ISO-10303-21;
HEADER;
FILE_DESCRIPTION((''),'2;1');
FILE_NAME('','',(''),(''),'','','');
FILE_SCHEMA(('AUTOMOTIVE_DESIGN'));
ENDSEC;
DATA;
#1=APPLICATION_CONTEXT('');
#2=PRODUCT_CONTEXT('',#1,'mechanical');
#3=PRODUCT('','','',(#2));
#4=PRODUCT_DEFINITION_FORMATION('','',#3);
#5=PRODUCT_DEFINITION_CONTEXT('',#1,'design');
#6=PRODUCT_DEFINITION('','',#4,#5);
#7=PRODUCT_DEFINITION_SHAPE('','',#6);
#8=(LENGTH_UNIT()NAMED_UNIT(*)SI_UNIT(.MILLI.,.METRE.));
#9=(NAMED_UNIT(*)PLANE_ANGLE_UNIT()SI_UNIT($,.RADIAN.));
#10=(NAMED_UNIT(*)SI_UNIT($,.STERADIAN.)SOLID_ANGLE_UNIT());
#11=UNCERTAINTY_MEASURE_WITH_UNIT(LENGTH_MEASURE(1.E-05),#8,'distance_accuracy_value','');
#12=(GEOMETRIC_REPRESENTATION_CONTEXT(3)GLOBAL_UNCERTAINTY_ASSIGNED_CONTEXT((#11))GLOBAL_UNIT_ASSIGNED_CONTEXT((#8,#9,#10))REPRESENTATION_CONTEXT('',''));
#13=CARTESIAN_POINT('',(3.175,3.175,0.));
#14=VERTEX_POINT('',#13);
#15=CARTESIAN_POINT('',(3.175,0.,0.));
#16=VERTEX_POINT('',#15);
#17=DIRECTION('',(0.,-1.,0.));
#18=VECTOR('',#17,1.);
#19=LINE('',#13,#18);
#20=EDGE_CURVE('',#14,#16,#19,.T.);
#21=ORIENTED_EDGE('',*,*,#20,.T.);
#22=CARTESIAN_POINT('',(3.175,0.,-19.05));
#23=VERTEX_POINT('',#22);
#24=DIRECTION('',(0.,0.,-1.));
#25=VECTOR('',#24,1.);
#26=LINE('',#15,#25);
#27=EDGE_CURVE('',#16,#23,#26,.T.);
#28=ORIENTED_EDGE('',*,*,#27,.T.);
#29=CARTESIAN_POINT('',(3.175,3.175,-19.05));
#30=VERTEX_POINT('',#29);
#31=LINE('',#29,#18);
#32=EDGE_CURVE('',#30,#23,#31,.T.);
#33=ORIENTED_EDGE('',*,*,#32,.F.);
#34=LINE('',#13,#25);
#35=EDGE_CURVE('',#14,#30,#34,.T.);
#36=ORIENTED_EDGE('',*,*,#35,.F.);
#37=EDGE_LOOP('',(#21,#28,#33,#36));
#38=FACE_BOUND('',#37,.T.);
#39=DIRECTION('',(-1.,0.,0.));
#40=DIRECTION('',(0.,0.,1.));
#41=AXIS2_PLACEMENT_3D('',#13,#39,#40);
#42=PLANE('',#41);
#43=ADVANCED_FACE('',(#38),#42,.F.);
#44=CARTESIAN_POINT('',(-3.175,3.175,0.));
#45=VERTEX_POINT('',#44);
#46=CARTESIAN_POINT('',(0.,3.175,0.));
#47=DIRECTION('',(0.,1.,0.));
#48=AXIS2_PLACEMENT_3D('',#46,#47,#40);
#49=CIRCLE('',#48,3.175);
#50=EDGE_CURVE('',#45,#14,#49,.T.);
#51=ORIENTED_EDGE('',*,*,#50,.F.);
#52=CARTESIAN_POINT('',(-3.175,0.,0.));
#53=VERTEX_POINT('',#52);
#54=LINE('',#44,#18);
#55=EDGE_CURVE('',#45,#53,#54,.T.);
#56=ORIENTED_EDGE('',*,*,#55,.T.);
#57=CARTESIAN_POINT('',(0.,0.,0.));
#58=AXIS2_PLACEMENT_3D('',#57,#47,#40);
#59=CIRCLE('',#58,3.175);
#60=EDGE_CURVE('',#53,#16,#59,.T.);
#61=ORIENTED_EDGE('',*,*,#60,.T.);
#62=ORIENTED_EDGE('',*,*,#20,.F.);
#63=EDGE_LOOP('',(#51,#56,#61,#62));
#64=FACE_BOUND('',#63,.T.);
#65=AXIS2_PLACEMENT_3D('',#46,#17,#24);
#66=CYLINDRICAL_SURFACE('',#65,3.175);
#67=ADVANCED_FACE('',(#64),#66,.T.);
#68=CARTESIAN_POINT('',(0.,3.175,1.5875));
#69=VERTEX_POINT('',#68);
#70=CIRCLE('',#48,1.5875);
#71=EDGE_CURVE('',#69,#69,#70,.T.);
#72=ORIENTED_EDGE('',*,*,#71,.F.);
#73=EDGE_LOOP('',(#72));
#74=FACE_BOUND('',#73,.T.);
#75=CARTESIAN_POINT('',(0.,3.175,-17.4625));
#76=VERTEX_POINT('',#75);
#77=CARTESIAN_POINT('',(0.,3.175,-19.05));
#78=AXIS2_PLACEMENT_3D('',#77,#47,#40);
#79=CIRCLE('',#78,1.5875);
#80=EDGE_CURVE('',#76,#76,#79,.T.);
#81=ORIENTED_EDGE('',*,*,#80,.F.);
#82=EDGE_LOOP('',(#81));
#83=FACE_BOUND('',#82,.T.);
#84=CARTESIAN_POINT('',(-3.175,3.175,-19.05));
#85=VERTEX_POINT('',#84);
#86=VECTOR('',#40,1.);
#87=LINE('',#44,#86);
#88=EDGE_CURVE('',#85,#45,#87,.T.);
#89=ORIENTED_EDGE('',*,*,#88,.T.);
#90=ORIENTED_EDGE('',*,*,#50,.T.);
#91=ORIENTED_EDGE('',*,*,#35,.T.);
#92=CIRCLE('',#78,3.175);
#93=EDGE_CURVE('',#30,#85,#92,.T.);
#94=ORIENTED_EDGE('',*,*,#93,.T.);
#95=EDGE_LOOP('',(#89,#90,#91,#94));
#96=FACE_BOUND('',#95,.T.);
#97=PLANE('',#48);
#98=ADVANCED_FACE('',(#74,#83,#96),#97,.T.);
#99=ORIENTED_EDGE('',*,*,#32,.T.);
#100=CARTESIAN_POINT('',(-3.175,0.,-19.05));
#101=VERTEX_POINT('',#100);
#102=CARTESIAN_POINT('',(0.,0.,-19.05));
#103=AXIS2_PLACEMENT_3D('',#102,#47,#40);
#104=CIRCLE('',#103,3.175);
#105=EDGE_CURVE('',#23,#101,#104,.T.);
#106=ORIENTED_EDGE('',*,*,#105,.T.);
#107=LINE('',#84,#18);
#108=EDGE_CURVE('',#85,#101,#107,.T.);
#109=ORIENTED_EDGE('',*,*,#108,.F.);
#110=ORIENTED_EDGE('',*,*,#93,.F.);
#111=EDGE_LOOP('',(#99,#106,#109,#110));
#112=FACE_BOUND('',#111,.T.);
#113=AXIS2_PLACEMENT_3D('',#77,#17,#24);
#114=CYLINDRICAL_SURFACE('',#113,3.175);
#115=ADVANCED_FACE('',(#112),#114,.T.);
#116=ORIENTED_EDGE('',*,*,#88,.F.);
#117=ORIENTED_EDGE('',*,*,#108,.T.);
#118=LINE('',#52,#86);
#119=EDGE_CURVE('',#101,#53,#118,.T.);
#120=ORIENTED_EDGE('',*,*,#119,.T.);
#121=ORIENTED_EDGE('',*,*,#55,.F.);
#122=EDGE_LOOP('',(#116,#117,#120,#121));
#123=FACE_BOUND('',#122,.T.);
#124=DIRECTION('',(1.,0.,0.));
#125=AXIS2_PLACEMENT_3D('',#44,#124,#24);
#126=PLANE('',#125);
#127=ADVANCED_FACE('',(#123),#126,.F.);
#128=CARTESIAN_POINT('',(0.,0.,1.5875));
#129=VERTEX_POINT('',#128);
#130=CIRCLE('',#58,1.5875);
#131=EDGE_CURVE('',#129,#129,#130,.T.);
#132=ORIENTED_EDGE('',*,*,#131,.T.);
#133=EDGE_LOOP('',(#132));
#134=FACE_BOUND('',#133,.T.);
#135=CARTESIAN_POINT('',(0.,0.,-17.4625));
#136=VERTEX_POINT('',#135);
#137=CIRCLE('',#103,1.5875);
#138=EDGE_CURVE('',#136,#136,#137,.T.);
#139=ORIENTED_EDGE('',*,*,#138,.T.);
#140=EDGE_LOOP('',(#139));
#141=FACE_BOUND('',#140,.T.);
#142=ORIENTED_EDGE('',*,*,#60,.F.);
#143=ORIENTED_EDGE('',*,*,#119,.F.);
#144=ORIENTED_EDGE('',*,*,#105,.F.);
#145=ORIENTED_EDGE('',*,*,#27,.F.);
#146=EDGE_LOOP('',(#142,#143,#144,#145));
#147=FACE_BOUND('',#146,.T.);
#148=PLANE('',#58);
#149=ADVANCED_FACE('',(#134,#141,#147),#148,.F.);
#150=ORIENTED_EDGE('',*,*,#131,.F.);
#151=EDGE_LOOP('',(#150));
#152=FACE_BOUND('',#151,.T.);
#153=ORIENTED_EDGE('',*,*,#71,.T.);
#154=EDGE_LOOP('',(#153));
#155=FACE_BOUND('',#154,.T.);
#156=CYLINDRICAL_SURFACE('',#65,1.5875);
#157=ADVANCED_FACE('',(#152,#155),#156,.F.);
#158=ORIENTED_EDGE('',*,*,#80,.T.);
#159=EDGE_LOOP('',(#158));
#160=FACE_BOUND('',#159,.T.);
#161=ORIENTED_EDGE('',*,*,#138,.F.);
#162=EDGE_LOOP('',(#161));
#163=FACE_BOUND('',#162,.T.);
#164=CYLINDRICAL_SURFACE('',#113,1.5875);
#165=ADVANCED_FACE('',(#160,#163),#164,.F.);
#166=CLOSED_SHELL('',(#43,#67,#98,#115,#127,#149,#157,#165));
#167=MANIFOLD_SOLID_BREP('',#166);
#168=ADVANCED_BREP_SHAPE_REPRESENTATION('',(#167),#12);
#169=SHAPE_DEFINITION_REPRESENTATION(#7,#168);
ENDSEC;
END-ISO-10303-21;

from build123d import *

# Parameters (mm, degrees)
SKETCH1_R           = 1.5875
BOSS_EXTRUDE1_DEPTH = 3.175


with BuildPart() as part:
    # Sketch1 → Boss-Extrude1 (new body)
    with BuildSketch(Plane(origin=(0, 0, 0), x_dir=(1, 0, 0), z_dir=(0, 1, 0))):
        with BuildLine():
            Line((-3.175, 0), (-3.175, 19.05))
            ThreePointArc((-3.175, 19.05), (0, 22.225), (3.175, 19.05))
            Line((3.175, 19.05), (3.175, 0))
            ThreePointArc((3.175, 0), (0, -3.175), (-3.175, 0))
        make_face()
        with Locations(Location((0, 19.05, 0), (0, 0, 270))):
            Circle(SKETCH1_R, mode=Mode.SUBTRACT)
        with Locations(Location((0, 0, 0), (0, 0, 270))):
            Circle(SKETCH1_R, mode=Mode.SUBTRACT)
    extrude(amount=BOSS_EXTRUDE1_DEPTH)


solid = part.part
